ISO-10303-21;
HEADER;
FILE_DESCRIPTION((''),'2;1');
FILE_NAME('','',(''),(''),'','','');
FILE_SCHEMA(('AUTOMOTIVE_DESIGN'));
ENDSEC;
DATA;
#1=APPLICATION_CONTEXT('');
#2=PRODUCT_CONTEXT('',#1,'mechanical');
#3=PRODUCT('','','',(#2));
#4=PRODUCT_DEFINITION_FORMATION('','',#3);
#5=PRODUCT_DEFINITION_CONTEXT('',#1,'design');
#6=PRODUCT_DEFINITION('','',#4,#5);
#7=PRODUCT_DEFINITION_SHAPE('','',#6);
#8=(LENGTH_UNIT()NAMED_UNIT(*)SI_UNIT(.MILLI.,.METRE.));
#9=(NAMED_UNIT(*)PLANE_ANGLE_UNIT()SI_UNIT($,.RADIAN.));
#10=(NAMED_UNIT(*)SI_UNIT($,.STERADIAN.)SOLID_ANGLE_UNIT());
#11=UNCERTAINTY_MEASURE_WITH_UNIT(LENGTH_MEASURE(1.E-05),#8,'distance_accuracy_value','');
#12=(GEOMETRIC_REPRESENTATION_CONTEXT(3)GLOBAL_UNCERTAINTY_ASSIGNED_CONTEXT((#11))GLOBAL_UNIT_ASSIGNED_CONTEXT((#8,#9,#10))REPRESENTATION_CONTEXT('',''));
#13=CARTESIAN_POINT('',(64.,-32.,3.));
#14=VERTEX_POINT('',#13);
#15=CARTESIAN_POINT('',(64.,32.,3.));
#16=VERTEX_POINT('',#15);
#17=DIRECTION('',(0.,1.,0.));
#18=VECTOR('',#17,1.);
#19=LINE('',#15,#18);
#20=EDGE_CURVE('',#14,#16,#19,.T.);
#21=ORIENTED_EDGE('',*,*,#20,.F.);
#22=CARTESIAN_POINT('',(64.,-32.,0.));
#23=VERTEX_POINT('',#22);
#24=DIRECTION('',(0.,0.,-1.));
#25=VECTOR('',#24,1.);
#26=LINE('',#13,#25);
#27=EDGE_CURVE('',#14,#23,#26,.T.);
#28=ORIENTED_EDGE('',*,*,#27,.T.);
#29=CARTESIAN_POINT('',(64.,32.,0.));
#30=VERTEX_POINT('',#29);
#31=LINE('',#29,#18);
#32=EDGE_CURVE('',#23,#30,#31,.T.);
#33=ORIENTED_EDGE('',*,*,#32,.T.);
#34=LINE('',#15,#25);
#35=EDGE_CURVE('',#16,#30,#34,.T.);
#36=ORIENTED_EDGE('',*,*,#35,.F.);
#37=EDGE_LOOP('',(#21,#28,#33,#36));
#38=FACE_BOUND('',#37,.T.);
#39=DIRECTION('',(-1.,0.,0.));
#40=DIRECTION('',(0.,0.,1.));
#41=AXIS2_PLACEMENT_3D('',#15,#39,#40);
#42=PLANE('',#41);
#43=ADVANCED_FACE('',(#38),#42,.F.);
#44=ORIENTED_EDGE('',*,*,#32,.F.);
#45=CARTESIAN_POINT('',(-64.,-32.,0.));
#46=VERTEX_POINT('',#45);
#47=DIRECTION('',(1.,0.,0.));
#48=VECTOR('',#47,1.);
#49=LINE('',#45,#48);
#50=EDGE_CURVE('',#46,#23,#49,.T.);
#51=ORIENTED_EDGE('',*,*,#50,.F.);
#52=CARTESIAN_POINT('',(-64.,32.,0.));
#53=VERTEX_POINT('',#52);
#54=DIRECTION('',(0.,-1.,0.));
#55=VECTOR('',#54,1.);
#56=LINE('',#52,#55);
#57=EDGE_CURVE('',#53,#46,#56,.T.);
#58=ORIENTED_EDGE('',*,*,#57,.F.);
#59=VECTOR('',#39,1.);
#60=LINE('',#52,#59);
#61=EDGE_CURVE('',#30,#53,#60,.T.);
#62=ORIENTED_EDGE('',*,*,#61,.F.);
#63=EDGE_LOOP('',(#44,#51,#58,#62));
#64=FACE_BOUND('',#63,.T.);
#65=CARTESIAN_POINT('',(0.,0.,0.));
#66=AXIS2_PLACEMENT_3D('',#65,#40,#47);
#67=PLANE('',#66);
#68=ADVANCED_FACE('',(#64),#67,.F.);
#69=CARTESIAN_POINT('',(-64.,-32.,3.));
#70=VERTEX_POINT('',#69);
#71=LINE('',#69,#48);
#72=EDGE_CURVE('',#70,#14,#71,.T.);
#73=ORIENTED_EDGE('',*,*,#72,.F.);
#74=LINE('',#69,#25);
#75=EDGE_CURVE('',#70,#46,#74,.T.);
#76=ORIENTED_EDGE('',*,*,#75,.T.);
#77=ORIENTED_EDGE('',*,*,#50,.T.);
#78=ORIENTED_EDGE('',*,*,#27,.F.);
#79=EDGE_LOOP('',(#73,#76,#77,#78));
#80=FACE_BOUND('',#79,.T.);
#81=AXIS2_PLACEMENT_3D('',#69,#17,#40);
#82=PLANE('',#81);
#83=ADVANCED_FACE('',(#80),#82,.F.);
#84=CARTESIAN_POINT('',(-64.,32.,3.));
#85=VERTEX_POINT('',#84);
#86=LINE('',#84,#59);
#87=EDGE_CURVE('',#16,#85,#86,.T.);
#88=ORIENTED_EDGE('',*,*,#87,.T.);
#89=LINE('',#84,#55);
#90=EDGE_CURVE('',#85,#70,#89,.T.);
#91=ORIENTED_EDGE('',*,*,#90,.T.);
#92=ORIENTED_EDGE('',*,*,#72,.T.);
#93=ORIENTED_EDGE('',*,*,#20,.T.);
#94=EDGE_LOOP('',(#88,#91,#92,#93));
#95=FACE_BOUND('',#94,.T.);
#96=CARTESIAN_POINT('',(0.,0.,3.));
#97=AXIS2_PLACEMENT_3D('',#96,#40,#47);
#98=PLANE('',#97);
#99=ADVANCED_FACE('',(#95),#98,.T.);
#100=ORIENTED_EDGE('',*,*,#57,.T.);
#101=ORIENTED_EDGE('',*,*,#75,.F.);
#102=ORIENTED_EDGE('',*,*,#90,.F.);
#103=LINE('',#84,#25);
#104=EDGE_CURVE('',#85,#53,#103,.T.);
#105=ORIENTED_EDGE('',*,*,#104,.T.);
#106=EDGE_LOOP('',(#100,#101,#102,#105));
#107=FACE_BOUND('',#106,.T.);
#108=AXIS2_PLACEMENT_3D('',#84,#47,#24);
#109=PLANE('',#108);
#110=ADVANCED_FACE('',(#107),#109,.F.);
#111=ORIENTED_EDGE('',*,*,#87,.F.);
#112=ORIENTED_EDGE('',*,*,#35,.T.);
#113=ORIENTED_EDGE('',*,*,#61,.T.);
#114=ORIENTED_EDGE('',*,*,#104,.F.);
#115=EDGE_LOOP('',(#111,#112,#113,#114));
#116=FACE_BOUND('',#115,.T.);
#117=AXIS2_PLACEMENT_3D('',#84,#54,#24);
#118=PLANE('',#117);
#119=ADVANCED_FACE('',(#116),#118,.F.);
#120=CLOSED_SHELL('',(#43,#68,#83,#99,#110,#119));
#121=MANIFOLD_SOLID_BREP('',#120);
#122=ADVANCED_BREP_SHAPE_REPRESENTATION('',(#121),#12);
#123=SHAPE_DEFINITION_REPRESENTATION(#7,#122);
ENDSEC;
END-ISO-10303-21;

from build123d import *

# Parameters (mm, degrees)
SKETCH_1_W      = 128
SKETCH_1_H      = 64
EXTRUDE_1_DEPTH = 3


with BuildPart() as part:
    # 草图1 → 凸台-拉伸1 (new body)
    with BuildSketch(Plane.XY):
        Rectangle(SKETCH_1_W, SKETCH_1_H)
    extrude(amount=EXTRUDE_1_DEPTH)


solid = part.part
